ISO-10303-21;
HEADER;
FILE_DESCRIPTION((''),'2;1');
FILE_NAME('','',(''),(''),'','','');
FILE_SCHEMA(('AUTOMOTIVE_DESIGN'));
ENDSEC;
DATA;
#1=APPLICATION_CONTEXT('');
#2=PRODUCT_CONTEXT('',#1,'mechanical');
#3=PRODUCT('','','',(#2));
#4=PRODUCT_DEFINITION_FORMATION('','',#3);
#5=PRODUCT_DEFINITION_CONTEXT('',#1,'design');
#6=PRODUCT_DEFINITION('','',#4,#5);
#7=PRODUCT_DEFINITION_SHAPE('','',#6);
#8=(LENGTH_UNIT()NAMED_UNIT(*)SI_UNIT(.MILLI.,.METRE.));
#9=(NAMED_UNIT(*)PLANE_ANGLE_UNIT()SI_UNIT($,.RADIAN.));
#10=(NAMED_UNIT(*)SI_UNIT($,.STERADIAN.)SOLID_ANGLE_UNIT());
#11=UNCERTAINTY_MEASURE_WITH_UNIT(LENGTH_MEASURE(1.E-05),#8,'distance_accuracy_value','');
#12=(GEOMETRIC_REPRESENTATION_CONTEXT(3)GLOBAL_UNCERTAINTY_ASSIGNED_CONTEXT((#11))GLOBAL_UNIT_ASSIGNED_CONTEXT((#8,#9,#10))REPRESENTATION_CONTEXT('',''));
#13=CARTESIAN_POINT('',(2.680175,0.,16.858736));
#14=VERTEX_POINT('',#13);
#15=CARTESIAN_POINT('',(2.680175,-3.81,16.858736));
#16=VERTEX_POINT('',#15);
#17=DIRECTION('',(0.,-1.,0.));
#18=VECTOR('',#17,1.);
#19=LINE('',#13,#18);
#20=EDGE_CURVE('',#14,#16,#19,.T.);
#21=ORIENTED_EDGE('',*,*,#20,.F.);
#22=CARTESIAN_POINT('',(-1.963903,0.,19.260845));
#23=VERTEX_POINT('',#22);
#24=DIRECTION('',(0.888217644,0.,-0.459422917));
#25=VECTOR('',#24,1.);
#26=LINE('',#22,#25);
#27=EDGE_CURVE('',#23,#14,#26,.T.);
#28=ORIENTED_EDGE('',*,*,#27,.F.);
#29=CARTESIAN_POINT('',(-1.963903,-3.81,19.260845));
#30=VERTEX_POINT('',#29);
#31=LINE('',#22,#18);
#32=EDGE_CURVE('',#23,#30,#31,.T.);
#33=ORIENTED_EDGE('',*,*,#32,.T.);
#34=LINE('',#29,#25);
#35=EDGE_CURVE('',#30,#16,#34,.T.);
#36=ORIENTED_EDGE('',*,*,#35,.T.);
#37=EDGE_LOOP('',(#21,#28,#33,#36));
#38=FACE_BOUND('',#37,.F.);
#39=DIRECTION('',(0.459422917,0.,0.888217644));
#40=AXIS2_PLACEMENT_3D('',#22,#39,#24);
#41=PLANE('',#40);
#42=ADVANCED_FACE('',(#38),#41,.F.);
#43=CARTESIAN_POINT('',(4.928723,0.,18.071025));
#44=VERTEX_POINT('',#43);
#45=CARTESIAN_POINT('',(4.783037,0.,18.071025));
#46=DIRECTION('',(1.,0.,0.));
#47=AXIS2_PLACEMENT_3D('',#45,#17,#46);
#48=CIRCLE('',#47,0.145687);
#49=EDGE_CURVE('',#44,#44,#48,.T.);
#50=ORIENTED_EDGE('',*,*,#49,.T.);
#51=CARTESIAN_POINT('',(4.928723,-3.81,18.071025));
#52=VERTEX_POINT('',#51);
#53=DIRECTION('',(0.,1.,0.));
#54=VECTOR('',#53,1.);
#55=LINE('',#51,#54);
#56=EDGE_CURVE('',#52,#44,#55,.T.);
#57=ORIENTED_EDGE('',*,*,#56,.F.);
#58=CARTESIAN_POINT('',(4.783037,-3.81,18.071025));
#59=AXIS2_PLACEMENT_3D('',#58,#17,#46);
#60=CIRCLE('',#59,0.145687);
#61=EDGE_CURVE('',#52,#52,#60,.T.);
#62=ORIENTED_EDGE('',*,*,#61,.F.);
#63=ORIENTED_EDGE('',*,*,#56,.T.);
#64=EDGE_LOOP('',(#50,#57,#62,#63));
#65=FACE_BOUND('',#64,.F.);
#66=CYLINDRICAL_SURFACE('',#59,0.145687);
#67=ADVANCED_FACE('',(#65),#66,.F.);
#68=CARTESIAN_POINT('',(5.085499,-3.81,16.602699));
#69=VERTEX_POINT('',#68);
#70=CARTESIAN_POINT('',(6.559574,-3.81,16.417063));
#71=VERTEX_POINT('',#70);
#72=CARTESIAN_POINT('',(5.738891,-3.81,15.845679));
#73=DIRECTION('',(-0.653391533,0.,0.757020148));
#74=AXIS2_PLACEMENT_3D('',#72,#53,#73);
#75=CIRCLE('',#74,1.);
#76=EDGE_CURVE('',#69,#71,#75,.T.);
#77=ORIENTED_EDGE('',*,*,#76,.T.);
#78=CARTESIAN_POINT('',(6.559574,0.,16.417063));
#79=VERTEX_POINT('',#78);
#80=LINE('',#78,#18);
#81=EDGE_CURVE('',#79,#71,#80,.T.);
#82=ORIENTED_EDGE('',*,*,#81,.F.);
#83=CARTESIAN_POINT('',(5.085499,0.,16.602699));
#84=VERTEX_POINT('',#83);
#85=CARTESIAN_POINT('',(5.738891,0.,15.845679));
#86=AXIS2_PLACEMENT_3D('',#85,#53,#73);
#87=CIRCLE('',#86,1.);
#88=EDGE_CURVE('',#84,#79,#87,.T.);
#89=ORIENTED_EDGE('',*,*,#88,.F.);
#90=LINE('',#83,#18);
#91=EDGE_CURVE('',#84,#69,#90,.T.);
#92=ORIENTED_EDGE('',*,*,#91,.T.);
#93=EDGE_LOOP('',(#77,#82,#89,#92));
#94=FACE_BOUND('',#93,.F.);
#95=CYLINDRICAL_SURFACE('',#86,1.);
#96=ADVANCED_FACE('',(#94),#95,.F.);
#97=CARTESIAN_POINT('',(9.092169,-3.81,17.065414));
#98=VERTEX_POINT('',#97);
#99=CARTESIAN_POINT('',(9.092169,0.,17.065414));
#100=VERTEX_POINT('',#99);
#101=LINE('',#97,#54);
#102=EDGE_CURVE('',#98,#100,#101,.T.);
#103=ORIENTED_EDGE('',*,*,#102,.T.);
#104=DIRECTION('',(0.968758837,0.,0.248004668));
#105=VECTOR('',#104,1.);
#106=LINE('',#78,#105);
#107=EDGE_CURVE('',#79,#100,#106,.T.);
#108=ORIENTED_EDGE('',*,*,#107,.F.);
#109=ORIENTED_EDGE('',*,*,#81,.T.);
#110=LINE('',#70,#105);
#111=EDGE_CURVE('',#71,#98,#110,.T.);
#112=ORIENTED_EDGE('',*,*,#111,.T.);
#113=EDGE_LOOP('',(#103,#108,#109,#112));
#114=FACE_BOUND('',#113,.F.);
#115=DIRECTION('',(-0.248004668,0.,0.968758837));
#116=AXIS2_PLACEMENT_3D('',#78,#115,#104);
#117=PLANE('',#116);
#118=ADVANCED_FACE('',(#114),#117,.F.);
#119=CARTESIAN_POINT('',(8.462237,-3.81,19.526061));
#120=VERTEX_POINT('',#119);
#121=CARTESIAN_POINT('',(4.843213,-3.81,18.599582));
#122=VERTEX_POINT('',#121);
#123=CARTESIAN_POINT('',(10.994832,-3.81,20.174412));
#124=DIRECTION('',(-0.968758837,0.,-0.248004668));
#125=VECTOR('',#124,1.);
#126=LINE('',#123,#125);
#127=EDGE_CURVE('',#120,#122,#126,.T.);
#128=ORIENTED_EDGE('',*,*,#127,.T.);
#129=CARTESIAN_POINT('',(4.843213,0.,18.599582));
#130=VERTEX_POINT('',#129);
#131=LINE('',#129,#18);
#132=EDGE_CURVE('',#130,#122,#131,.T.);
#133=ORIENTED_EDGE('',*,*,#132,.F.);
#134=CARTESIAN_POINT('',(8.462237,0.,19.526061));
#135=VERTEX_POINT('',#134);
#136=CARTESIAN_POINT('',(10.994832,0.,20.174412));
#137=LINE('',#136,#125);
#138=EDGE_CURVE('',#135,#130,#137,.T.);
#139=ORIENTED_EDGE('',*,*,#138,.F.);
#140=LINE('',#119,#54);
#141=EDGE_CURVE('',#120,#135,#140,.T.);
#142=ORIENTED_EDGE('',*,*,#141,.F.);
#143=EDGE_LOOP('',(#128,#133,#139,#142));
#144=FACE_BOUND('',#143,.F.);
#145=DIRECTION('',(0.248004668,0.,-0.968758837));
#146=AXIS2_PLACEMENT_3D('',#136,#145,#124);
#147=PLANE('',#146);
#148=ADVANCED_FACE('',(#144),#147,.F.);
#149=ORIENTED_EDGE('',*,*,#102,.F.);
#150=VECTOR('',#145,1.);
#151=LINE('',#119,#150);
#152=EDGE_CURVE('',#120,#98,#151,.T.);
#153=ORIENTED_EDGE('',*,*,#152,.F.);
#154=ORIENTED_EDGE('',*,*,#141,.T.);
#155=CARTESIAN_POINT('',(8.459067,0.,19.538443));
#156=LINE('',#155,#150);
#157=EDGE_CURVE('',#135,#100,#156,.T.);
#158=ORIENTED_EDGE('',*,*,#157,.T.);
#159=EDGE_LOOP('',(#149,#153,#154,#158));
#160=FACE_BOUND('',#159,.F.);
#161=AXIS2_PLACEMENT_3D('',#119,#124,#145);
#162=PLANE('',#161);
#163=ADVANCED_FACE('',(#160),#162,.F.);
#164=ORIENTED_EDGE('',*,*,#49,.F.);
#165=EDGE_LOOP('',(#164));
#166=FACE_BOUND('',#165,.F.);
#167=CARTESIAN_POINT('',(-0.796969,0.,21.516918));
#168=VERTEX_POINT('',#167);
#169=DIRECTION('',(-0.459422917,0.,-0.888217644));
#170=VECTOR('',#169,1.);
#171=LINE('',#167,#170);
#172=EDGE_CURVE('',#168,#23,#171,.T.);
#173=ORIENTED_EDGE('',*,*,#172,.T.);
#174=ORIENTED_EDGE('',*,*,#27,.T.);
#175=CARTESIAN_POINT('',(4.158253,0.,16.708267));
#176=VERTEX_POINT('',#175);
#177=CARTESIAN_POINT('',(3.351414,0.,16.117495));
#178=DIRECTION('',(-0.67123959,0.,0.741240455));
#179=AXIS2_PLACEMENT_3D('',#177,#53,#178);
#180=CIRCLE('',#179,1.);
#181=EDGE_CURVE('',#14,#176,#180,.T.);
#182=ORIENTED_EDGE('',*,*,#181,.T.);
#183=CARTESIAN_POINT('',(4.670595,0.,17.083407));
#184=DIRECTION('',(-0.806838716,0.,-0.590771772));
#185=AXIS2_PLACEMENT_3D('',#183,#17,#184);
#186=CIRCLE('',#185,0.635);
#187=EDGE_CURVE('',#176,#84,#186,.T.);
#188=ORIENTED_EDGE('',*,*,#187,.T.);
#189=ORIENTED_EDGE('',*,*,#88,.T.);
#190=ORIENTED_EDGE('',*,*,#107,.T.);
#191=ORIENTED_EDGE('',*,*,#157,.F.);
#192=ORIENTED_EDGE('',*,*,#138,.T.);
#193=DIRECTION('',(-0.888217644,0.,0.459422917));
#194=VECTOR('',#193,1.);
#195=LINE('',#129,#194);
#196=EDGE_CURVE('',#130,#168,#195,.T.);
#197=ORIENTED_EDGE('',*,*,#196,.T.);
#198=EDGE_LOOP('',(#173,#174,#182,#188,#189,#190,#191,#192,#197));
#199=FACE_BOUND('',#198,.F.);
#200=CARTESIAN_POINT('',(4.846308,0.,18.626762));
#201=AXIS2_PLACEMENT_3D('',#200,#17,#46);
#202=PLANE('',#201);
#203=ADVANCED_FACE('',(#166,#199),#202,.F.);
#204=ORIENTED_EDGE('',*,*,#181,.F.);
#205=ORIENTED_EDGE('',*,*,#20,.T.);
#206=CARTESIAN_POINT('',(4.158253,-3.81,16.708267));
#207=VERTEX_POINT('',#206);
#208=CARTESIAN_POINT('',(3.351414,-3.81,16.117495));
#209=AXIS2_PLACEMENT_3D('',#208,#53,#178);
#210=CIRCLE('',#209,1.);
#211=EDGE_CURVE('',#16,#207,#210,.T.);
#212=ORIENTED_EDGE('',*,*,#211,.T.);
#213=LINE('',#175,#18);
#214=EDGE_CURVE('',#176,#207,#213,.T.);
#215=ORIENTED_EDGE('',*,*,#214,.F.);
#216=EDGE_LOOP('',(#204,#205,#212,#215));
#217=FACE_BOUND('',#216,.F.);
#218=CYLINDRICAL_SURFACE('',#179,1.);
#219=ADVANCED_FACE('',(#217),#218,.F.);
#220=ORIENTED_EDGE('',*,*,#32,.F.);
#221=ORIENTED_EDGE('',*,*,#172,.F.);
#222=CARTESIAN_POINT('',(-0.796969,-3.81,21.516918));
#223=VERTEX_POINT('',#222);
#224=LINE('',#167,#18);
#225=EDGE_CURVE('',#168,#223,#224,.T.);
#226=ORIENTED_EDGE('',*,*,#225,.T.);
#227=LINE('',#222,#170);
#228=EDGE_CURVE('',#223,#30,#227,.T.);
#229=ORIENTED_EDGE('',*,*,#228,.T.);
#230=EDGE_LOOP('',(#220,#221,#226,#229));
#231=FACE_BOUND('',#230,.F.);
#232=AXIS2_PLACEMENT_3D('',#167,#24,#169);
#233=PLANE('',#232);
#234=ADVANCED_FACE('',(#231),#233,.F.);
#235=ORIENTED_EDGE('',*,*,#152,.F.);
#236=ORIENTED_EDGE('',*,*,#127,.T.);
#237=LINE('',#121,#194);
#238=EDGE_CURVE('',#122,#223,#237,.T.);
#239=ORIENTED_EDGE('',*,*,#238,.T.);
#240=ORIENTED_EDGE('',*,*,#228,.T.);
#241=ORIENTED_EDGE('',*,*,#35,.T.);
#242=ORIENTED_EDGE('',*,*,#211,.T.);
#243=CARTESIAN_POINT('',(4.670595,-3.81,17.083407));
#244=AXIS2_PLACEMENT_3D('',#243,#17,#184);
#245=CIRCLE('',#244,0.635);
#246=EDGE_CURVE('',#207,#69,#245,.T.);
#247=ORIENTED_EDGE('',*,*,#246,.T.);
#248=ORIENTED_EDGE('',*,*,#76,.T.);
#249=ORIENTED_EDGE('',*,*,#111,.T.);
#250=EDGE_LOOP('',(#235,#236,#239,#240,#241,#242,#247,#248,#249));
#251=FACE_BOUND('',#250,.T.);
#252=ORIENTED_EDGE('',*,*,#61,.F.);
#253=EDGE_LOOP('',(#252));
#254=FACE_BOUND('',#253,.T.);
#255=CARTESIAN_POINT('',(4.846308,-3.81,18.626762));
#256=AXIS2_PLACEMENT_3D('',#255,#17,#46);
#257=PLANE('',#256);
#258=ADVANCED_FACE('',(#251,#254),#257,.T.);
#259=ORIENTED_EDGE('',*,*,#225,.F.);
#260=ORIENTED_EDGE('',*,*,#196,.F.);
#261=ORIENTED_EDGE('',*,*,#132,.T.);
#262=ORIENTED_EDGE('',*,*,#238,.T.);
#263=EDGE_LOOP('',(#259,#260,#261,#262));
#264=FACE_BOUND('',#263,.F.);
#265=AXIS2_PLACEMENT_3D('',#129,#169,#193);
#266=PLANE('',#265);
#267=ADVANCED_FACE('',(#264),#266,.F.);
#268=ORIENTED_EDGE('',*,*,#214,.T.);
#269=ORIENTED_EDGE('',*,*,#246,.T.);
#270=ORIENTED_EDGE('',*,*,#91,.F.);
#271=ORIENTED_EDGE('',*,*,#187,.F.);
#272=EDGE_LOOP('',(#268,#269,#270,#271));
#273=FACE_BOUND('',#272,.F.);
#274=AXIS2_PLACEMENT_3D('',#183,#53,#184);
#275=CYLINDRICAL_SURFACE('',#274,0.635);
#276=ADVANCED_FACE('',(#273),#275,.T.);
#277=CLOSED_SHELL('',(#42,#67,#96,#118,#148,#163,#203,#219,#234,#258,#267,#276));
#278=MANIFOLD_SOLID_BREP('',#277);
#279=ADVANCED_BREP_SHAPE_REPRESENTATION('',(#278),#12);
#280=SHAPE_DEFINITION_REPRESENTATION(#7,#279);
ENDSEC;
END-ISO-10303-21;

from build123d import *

# Parameters (mm, degrees)
F1_DEPTH = 3.81
F2_R     = 0.1456869123
F3_DEPTH = 3.81
F5_DEPTH = 25.4


with BuildPart() as f1:
    # F0 (on Front) → F1 (new body)
    with BuildSketch(Plane.XZ):
        with BuildLine():
            Line((4.8432132158, 18.5995820194), (-0.7969688229, 21.5169175451))
            Line((-0.7969688229, 21.5169175451), (-1.9639030332, 19.2608447295))
            Line((-1.9639030332, 19.2608447295), (2.6801745949, 16.8587356211))
            ThreePointArc((2.6801745949, 16.8587356211), (3.4526909685, 17.1123534538), (4.1582529007, 16.708266938))
            ThreePointArc((4.1582529007, 16.708266938), (4.5987642694, 16.4524828685), (5.0854991089, 16.6026992195))
            ThreePointArc((5.0854991089, 16.6026992195), (5.8638378577, 16.8378424622), (6.5595735586, 16.4170629629))
            Line((6.5595735586, 16.4170629629), (11.6247636885, 17.7137642129))
            Line((11.6247636885, 17.7137642129), (10.9948318325, 20.1744116595))
            Line((10.9948318325, 20.1744116595), (4.8432132158, 18.5995820194))
        make_face()
    extrude(amount=F1_DEPTH)

    # F2 (on face) → F3 (cut, through all)
    with BuildSketch(Plane.XZ.offset(3.81)):
        with Locations((4.7830365223, 18.0710245049)):
            Circle(F2_R)
    extrude(amount=-F3_DEPTH, mode=Mode.SUBTRACT)

    # F4 (on face) → F5 (cut)
    with BuildSketch(Plane.XZ.offset(3.81)):
        Polygon((11.6247636885, 17.7137642129), (10.9948318325, 20.1744116595), (8.4622367675, 19.5260610345), (9.0921686236, 17.0654135879), align=None)
    extrude(amount=-F5_DEPTH, mode=Mode.SUBTRACT)


solid = f1.part
